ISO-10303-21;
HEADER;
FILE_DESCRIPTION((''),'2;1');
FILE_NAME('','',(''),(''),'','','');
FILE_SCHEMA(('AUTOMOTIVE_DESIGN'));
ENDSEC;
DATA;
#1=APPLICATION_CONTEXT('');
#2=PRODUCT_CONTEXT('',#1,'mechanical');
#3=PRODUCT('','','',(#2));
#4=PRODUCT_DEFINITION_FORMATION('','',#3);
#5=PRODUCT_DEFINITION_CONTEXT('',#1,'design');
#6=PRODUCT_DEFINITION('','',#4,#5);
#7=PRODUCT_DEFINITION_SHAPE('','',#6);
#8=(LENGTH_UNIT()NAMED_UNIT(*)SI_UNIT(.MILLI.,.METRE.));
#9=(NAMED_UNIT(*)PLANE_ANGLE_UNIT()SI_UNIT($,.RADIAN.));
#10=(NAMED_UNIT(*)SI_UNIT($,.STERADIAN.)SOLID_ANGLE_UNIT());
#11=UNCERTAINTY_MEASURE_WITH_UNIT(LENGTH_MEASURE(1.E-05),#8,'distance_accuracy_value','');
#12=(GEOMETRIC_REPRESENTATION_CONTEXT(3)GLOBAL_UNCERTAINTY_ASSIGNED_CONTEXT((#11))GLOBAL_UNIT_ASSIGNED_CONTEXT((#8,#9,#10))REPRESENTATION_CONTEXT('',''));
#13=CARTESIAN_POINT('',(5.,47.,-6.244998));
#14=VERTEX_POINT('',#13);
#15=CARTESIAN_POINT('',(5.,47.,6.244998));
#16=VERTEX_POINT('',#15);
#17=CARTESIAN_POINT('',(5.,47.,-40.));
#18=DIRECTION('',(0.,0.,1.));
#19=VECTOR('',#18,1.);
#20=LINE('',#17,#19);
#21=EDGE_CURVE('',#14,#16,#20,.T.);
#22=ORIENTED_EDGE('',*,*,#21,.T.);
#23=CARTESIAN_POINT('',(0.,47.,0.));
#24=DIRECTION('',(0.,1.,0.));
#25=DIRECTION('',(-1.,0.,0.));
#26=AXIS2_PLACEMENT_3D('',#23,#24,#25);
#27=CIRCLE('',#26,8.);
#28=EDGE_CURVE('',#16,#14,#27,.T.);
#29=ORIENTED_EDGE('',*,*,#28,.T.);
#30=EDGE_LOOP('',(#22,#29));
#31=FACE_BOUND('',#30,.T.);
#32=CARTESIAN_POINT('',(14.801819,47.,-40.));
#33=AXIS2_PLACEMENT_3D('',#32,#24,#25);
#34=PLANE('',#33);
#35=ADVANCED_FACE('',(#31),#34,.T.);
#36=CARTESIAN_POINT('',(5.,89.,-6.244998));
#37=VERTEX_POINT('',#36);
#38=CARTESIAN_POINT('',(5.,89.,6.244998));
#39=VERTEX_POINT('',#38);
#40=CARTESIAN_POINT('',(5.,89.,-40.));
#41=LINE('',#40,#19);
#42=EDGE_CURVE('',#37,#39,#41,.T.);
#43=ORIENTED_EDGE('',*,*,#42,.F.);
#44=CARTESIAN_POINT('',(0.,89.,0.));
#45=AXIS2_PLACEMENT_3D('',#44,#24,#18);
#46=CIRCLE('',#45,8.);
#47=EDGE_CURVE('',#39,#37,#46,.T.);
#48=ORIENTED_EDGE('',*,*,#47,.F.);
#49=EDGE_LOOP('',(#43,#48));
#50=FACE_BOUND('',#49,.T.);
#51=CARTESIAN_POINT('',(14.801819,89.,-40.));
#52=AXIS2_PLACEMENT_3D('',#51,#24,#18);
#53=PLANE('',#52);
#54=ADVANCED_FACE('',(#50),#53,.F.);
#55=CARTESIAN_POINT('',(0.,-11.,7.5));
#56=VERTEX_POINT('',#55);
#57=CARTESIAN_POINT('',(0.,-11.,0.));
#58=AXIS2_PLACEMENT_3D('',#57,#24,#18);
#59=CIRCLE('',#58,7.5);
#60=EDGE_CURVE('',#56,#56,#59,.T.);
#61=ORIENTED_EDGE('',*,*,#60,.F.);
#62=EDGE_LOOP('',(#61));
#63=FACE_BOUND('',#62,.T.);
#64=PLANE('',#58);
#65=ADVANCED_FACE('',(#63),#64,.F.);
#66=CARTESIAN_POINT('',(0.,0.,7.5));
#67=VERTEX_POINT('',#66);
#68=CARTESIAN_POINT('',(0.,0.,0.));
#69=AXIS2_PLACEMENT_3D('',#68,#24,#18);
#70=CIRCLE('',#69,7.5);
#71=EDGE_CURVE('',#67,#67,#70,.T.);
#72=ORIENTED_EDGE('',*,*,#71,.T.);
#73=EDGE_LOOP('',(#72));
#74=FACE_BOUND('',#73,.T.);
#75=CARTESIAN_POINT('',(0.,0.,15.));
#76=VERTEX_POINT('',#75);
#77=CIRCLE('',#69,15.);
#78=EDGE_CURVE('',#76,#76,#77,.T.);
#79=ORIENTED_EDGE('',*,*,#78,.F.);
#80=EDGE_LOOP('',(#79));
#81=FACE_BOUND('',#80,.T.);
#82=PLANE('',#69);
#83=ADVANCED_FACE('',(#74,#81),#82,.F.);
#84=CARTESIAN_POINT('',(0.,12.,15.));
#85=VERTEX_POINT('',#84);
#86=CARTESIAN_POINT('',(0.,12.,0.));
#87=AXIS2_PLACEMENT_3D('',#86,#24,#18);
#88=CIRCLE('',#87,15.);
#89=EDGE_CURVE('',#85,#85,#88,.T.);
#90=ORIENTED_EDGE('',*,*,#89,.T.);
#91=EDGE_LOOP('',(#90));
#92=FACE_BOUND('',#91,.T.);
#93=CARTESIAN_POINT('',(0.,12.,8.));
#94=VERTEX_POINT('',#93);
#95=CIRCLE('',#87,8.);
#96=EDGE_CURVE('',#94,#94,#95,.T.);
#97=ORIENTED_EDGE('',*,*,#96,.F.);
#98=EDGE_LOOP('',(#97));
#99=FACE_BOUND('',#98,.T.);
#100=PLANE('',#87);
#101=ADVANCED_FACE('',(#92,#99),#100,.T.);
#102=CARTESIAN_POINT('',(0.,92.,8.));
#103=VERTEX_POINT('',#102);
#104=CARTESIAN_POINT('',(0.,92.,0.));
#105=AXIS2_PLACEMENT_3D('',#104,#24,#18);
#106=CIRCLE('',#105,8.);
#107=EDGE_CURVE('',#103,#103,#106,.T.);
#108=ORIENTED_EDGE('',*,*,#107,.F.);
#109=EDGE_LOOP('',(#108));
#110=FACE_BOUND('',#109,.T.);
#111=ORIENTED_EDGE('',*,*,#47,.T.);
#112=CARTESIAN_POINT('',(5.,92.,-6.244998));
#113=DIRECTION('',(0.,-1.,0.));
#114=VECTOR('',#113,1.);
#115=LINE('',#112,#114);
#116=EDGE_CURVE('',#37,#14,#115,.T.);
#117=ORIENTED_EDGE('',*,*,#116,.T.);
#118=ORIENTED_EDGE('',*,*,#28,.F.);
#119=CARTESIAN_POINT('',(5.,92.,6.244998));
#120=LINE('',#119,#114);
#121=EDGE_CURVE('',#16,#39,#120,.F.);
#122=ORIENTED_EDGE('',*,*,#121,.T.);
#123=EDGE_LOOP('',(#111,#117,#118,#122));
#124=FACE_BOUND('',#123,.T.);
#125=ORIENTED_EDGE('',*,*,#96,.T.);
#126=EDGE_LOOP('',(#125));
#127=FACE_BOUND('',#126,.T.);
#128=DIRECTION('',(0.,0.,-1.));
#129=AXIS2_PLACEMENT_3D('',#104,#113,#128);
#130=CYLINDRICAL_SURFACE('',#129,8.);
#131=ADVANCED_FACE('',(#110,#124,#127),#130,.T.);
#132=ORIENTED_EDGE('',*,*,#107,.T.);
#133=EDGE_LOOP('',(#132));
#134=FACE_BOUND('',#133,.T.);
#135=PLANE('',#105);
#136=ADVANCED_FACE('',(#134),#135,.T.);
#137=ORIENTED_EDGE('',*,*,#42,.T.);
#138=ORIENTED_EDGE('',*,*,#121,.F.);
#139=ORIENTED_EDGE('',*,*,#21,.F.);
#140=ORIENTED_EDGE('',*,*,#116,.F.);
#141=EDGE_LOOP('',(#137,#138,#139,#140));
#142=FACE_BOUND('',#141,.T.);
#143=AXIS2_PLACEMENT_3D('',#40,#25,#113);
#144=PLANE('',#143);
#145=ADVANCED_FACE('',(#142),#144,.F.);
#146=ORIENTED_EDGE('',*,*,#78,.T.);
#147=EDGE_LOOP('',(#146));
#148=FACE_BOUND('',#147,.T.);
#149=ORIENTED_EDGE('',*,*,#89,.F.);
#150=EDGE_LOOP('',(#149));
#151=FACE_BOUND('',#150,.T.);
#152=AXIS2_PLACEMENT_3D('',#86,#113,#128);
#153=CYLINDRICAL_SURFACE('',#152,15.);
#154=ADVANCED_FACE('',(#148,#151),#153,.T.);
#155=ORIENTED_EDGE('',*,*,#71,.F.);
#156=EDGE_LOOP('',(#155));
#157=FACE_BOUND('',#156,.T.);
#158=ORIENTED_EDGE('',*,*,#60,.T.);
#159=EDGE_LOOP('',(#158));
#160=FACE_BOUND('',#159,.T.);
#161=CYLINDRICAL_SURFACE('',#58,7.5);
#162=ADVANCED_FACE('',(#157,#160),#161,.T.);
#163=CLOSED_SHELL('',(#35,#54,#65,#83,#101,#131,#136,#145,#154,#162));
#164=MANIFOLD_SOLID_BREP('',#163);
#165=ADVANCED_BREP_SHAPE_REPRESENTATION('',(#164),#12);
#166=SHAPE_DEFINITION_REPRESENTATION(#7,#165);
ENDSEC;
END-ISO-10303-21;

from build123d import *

# Parameters (mm, degrees)
SKETCH1_R           = 7.5
BOSS_EXTRUDE1_DEPTH = 11
SKETCH2_R           = 15
BOSS_EXTRUDE2_DEPTH = 12
SKETCH3_R           = 8
BOSS_EXTRUDE3_DEPTH = 80
SKETCH4_W           = 9.801818504
SKETCH4_H           = 42
CUT_EXTRUDE1_DEPTH  = 40


with BuildPart() as part:
    # Sketch1 → Boss-Extrude1 (new body)
    with BuildSketch(Plane(origin=(0, 0, 0), x_dir=(1, 0, 0), z_dir=(0, 1, 0))):
        Circle(SKETCH1_R)
    extrude(amount=-BOSS_EXTRUDE1_DEPTH)

    # Sketch2 → Boss-Extrude2 (add)
    with BuildSketch(Plane(origin=(0, 0, 0), x_dir=(1, 0, 0), z_dir=(0, 1, 0))):
        Circle(SKETCH2_R)
    extrude(amount=BOSS_EXTRUDE2_DEPTH)

    # Sketch3 → Boss-Extrude3 (add)
    with BuildSketch(Plane(origin=(0, 12, 0), x_dir=(1, 0, 0), z_dir=(0, 1, 0))):
        Circle(SKETCH3_R)
    extrude(amount=BOSS_EXTRUDE3_DEPTH)

    # Sketch4 → Cut-Extrude1 (cut, symmetric)
    with BuildSketch(Plane.XY):
        with Locations((9.900909252, 68)):
            Rectangle(SKETCH4_W, SKETCH4_H)
    extrude(amount=CUT_EXTRUDE1_DEPTH, both=True, mode=Mode.SUBTRACT)


solid = part.part
